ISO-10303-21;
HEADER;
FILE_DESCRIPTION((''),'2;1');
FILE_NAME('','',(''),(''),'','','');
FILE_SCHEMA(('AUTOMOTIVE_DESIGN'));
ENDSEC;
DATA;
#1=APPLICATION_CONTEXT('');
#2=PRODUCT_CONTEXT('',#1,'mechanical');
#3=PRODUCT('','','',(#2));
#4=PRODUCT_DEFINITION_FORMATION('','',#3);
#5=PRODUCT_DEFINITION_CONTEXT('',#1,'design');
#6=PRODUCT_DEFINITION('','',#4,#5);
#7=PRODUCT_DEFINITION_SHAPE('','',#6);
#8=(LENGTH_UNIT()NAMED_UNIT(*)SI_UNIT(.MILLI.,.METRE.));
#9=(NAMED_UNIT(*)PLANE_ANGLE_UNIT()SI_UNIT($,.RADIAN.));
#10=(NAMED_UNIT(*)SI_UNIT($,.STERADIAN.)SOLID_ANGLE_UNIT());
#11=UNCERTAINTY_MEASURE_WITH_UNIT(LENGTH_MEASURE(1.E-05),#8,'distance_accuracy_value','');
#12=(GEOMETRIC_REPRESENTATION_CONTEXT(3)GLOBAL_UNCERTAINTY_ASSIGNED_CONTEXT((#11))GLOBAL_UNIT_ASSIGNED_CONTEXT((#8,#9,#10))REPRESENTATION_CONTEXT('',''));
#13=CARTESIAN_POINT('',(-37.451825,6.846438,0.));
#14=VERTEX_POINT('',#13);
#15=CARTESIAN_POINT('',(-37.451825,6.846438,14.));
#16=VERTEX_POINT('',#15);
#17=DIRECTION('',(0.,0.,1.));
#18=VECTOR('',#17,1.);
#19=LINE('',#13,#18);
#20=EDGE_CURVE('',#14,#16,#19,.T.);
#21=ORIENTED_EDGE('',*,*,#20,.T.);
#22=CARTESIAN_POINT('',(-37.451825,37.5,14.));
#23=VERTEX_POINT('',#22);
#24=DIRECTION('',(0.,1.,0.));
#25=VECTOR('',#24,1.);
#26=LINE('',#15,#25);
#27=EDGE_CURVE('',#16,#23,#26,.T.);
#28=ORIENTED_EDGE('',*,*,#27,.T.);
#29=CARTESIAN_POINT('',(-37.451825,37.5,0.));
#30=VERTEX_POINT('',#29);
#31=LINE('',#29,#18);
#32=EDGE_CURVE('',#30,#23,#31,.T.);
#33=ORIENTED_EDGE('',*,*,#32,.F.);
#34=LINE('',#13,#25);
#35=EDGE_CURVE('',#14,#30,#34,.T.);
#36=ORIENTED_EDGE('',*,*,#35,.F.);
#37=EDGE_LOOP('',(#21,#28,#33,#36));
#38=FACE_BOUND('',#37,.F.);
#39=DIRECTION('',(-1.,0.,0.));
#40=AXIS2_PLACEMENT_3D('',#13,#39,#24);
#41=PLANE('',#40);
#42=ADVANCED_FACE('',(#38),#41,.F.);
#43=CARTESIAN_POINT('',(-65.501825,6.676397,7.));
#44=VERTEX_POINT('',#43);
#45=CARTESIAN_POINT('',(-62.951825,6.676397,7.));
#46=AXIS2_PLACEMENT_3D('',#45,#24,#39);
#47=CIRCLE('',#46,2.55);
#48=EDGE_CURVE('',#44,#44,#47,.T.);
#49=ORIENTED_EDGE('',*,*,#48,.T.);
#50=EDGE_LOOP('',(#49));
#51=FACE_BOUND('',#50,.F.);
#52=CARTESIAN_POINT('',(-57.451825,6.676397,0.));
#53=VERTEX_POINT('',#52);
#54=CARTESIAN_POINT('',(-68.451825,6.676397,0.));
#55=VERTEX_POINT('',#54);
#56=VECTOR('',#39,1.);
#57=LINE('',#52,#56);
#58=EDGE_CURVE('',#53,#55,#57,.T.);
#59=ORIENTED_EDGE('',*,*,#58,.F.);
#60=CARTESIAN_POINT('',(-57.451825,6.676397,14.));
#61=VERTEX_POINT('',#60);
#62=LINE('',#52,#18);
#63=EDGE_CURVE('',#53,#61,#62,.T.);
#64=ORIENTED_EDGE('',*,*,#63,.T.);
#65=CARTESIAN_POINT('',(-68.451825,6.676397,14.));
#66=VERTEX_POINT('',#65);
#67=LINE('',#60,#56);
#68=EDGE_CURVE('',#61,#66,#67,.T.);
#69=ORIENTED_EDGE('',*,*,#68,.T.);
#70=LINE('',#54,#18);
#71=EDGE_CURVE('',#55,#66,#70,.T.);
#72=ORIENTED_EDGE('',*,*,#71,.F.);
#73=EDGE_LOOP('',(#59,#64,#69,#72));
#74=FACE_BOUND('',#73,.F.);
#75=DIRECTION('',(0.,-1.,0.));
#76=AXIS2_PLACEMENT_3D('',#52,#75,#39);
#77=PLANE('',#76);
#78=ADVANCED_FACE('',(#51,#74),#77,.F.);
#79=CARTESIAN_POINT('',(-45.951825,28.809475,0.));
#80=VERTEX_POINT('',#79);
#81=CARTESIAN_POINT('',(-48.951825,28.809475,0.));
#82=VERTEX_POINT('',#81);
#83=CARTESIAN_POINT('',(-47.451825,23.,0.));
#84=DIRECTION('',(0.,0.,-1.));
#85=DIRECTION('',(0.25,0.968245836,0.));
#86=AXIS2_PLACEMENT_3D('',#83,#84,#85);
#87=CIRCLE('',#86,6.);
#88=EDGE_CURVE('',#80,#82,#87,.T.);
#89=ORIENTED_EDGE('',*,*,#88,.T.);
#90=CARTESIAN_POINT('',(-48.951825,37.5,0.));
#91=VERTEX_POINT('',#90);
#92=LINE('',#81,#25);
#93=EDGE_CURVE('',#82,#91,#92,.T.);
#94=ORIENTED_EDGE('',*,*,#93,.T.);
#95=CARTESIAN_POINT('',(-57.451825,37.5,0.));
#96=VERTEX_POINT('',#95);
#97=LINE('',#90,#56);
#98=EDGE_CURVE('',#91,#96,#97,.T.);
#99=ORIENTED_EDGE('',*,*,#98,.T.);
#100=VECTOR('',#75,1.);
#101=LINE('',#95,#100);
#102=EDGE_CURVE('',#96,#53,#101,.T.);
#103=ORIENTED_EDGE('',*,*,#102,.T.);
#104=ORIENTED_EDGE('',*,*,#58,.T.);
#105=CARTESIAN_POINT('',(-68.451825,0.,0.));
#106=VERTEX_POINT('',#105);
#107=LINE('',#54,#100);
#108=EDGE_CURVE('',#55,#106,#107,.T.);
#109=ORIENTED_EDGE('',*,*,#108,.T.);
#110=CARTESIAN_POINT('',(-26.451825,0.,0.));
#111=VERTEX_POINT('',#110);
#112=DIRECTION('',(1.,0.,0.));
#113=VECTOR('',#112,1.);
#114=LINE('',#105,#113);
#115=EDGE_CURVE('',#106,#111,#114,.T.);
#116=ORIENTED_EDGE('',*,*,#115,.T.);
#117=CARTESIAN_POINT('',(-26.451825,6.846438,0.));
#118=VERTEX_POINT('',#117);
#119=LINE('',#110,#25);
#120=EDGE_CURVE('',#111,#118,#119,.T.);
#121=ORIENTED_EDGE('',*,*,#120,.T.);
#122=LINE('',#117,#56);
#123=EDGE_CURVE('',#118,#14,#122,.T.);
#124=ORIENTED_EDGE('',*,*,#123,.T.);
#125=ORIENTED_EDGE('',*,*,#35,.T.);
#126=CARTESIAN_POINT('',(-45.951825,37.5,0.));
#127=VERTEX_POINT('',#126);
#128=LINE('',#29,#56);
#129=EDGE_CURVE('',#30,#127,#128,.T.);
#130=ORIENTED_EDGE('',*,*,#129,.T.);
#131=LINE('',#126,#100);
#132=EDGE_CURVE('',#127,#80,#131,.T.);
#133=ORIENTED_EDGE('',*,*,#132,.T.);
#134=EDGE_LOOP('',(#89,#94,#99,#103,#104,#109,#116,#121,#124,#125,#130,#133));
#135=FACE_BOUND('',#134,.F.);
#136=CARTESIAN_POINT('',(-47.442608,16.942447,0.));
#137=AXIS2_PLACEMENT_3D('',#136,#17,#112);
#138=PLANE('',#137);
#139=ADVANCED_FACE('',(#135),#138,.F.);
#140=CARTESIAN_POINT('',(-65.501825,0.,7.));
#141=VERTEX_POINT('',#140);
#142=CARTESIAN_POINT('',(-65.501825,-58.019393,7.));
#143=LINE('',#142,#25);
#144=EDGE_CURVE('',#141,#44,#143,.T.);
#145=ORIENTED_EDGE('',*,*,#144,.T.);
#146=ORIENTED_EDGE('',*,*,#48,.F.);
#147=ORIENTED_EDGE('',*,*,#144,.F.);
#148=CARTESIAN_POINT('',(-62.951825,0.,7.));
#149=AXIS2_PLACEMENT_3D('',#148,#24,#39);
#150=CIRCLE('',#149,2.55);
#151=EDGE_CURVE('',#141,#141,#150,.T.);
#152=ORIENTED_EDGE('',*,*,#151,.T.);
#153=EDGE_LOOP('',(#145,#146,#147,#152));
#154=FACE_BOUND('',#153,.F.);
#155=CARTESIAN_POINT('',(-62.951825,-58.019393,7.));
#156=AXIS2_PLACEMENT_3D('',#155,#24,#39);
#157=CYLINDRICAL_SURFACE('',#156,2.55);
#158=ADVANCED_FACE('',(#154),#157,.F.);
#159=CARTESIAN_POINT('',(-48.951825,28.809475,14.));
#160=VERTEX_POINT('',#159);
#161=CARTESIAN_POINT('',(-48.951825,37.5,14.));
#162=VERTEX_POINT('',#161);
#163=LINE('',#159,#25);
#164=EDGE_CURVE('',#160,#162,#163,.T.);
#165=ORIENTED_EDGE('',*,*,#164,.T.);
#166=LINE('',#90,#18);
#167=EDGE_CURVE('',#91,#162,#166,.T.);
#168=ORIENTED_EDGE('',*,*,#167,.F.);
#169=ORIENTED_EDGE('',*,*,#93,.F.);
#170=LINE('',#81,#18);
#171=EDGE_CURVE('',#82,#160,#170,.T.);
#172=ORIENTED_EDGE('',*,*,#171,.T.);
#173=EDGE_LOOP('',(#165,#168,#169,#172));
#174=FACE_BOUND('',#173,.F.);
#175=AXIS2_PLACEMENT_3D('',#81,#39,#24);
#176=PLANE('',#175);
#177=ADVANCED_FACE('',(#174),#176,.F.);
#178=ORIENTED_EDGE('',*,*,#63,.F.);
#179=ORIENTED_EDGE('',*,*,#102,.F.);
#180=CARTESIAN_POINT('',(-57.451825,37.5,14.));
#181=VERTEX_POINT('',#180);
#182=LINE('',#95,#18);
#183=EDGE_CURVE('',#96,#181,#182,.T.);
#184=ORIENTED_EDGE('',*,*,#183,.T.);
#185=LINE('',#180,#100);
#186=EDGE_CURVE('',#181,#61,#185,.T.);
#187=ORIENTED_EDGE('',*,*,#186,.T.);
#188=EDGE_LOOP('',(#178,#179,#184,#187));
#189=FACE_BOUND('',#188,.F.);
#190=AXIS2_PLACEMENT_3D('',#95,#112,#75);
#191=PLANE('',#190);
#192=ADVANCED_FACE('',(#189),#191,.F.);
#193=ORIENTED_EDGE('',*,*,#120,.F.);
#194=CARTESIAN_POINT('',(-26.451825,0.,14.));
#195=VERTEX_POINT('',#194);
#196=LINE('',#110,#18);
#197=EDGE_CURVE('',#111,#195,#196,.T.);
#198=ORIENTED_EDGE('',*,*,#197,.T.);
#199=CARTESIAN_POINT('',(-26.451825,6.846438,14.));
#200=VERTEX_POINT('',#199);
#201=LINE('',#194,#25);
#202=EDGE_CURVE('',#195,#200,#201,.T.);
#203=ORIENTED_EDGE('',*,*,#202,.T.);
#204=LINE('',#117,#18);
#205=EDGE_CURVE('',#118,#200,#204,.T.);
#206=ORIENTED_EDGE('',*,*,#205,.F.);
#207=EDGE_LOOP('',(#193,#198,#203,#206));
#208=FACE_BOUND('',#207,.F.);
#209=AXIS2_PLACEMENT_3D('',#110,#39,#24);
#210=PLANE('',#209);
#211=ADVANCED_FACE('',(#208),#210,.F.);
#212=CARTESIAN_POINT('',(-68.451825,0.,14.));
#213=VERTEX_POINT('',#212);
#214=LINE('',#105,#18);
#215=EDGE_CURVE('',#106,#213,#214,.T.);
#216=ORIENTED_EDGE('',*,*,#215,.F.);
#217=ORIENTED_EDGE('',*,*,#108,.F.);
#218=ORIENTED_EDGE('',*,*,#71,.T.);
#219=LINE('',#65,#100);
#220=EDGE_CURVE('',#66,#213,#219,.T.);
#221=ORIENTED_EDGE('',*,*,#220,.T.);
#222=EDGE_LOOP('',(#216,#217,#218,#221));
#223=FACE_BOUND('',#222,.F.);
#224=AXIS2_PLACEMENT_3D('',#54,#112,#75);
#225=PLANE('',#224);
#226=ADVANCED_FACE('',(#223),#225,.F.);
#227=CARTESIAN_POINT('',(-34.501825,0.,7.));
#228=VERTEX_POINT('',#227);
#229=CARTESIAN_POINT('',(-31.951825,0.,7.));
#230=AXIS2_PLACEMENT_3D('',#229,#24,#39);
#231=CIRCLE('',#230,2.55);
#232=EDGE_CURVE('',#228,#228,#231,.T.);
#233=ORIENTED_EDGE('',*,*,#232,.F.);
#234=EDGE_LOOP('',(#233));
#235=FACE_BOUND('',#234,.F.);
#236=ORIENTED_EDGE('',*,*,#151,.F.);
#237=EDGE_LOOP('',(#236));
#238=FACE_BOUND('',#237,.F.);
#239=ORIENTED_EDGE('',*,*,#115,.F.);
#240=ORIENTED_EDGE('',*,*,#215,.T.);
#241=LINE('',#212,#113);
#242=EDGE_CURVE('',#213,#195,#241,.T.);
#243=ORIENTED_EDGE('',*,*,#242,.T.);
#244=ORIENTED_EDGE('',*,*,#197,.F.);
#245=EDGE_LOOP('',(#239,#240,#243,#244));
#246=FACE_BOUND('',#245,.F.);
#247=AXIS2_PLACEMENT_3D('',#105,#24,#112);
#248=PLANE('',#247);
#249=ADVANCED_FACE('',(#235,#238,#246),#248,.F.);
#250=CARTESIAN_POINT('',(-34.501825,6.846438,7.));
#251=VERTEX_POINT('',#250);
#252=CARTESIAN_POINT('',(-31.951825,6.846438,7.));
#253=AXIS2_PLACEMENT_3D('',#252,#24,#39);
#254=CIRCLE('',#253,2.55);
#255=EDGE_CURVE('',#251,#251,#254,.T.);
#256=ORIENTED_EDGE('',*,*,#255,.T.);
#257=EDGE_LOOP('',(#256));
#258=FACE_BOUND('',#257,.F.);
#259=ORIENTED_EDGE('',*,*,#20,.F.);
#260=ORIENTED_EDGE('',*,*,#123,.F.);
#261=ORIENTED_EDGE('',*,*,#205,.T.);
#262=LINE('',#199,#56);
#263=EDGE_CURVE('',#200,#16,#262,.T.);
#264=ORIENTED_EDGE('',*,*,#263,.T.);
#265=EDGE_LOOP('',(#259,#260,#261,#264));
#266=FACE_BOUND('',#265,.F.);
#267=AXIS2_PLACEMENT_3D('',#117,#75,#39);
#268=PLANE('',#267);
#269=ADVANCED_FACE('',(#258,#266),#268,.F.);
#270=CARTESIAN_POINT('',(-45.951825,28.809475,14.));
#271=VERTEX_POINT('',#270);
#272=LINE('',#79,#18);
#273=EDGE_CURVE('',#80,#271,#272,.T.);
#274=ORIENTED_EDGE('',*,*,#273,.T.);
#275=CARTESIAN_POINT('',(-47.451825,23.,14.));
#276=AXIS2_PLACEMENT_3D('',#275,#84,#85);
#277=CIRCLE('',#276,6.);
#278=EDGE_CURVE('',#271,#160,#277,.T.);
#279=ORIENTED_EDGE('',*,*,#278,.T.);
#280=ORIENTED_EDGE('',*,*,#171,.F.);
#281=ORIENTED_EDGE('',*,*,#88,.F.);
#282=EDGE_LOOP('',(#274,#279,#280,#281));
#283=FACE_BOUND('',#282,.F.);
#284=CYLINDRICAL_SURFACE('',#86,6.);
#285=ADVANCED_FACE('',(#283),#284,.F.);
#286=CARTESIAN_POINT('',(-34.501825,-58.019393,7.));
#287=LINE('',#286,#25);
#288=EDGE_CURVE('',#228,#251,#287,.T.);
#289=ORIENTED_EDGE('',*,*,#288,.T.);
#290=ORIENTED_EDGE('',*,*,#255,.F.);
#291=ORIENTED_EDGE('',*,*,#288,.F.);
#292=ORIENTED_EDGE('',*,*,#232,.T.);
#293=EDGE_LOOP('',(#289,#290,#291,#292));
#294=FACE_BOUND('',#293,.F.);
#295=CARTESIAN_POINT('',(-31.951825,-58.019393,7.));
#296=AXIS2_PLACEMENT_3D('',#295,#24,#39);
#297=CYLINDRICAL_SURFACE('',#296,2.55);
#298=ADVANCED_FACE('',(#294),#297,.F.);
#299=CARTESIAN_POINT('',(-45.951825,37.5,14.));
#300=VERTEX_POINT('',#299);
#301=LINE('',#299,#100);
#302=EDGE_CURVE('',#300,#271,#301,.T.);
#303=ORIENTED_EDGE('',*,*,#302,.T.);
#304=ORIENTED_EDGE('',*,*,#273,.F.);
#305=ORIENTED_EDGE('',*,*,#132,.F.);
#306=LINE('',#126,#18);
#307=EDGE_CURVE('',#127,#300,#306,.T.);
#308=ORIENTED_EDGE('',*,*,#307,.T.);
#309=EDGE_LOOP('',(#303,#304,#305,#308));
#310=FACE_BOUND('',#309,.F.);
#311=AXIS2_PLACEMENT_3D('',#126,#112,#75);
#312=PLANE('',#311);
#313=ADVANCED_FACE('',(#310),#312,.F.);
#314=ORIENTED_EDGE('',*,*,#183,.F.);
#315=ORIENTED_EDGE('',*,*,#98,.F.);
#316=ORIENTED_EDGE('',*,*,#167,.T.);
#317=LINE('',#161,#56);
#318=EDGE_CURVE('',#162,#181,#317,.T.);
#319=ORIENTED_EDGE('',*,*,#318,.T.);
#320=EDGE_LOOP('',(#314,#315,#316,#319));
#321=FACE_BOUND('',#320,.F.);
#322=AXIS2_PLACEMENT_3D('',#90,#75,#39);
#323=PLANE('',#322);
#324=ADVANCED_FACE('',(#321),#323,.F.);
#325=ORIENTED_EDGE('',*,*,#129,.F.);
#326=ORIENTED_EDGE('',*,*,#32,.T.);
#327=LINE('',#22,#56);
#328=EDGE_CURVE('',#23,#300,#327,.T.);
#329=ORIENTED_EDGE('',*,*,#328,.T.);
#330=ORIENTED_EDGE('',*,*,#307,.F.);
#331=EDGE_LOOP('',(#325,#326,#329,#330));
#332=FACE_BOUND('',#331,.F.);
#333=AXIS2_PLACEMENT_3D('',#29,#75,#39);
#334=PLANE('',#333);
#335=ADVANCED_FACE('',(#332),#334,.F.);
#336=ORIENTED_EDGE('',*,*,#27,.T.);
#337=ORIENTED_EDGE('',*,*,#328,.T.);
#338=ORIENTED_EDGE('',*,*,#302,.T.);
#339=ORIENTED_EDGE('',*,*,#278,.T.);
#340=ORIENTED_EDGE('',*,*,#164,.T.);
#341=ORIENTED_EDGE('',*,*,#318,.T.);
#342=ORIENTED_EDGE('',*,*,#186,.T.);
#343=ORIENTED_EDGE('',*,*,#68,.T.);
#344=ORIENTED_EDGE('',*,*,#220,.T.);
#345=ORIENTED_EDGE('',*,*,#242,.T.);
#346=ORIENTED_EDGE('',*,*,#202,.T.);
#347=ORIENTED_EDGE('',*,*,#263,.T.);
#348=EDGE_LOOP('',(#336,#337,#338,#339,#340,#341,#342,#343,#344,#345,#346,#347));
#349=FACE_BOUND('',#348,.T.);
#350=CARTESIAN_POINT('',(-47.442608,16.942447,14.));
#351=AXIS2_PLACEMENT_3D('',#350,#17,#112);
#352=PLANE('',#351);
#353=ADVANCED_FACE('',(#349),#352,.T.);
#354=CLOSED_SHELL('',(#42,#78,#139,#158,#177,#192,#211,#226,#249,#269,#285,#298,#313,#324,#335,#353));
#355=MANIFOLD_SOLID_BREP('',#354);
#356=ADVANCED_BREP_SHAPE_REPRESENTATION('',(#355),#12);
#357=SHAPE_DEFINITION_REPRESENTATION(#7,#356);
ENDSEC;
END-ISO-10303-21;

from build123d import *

# Parameters (mm, degrees)
F1_DEPTH = 14
F3_D     = 5.1


with BuildPart() as f1:
    # F0 (on Top) → F1 (new body)
    with BuildSketch(Plane.XY):
        with BuildLine():
            Line((-68.451825, 6.676397), (-68.451825, 0))
            Line((-68.451825, 0), (-26.451825, 0))
            Line((-26.451825, 0), (-26.451825, 6.846438))
            Line((-26.451825, 6.846438), (-37.451825, 6.846438))
            Line((-37.451825, 6.846438), (-37.451825, 37.5))
            Line((-37.451825, 37.5), (-45.951825, 37.5))
            Line((-45.951825, 37.5), (-45.951825, 28.809475))
            ThreePointArc((-45.951825, 28.809475), (-47.451825, 17), (-48.951825, 28.809475))
            Line((-48.951825, 28.809475), (-48.951825, 37.5))
            Line((-48.951825, 37.5), (-57.451825, 37.5))
            Line((-57.451825, 37.5), (-57.451825, 6.676397))
            Line((-57.451825, 6.676397), (-68.451825, 6.676397))
        make_face()
    extrude(amount=F1_DEPTH)

    # F3 (through all)
    with Locations(Plane.XZ):
        with Locations((-62.951825, 7), (-31.951825, 7)):
            Hole(F3_D / 2)


solid = f1.part
